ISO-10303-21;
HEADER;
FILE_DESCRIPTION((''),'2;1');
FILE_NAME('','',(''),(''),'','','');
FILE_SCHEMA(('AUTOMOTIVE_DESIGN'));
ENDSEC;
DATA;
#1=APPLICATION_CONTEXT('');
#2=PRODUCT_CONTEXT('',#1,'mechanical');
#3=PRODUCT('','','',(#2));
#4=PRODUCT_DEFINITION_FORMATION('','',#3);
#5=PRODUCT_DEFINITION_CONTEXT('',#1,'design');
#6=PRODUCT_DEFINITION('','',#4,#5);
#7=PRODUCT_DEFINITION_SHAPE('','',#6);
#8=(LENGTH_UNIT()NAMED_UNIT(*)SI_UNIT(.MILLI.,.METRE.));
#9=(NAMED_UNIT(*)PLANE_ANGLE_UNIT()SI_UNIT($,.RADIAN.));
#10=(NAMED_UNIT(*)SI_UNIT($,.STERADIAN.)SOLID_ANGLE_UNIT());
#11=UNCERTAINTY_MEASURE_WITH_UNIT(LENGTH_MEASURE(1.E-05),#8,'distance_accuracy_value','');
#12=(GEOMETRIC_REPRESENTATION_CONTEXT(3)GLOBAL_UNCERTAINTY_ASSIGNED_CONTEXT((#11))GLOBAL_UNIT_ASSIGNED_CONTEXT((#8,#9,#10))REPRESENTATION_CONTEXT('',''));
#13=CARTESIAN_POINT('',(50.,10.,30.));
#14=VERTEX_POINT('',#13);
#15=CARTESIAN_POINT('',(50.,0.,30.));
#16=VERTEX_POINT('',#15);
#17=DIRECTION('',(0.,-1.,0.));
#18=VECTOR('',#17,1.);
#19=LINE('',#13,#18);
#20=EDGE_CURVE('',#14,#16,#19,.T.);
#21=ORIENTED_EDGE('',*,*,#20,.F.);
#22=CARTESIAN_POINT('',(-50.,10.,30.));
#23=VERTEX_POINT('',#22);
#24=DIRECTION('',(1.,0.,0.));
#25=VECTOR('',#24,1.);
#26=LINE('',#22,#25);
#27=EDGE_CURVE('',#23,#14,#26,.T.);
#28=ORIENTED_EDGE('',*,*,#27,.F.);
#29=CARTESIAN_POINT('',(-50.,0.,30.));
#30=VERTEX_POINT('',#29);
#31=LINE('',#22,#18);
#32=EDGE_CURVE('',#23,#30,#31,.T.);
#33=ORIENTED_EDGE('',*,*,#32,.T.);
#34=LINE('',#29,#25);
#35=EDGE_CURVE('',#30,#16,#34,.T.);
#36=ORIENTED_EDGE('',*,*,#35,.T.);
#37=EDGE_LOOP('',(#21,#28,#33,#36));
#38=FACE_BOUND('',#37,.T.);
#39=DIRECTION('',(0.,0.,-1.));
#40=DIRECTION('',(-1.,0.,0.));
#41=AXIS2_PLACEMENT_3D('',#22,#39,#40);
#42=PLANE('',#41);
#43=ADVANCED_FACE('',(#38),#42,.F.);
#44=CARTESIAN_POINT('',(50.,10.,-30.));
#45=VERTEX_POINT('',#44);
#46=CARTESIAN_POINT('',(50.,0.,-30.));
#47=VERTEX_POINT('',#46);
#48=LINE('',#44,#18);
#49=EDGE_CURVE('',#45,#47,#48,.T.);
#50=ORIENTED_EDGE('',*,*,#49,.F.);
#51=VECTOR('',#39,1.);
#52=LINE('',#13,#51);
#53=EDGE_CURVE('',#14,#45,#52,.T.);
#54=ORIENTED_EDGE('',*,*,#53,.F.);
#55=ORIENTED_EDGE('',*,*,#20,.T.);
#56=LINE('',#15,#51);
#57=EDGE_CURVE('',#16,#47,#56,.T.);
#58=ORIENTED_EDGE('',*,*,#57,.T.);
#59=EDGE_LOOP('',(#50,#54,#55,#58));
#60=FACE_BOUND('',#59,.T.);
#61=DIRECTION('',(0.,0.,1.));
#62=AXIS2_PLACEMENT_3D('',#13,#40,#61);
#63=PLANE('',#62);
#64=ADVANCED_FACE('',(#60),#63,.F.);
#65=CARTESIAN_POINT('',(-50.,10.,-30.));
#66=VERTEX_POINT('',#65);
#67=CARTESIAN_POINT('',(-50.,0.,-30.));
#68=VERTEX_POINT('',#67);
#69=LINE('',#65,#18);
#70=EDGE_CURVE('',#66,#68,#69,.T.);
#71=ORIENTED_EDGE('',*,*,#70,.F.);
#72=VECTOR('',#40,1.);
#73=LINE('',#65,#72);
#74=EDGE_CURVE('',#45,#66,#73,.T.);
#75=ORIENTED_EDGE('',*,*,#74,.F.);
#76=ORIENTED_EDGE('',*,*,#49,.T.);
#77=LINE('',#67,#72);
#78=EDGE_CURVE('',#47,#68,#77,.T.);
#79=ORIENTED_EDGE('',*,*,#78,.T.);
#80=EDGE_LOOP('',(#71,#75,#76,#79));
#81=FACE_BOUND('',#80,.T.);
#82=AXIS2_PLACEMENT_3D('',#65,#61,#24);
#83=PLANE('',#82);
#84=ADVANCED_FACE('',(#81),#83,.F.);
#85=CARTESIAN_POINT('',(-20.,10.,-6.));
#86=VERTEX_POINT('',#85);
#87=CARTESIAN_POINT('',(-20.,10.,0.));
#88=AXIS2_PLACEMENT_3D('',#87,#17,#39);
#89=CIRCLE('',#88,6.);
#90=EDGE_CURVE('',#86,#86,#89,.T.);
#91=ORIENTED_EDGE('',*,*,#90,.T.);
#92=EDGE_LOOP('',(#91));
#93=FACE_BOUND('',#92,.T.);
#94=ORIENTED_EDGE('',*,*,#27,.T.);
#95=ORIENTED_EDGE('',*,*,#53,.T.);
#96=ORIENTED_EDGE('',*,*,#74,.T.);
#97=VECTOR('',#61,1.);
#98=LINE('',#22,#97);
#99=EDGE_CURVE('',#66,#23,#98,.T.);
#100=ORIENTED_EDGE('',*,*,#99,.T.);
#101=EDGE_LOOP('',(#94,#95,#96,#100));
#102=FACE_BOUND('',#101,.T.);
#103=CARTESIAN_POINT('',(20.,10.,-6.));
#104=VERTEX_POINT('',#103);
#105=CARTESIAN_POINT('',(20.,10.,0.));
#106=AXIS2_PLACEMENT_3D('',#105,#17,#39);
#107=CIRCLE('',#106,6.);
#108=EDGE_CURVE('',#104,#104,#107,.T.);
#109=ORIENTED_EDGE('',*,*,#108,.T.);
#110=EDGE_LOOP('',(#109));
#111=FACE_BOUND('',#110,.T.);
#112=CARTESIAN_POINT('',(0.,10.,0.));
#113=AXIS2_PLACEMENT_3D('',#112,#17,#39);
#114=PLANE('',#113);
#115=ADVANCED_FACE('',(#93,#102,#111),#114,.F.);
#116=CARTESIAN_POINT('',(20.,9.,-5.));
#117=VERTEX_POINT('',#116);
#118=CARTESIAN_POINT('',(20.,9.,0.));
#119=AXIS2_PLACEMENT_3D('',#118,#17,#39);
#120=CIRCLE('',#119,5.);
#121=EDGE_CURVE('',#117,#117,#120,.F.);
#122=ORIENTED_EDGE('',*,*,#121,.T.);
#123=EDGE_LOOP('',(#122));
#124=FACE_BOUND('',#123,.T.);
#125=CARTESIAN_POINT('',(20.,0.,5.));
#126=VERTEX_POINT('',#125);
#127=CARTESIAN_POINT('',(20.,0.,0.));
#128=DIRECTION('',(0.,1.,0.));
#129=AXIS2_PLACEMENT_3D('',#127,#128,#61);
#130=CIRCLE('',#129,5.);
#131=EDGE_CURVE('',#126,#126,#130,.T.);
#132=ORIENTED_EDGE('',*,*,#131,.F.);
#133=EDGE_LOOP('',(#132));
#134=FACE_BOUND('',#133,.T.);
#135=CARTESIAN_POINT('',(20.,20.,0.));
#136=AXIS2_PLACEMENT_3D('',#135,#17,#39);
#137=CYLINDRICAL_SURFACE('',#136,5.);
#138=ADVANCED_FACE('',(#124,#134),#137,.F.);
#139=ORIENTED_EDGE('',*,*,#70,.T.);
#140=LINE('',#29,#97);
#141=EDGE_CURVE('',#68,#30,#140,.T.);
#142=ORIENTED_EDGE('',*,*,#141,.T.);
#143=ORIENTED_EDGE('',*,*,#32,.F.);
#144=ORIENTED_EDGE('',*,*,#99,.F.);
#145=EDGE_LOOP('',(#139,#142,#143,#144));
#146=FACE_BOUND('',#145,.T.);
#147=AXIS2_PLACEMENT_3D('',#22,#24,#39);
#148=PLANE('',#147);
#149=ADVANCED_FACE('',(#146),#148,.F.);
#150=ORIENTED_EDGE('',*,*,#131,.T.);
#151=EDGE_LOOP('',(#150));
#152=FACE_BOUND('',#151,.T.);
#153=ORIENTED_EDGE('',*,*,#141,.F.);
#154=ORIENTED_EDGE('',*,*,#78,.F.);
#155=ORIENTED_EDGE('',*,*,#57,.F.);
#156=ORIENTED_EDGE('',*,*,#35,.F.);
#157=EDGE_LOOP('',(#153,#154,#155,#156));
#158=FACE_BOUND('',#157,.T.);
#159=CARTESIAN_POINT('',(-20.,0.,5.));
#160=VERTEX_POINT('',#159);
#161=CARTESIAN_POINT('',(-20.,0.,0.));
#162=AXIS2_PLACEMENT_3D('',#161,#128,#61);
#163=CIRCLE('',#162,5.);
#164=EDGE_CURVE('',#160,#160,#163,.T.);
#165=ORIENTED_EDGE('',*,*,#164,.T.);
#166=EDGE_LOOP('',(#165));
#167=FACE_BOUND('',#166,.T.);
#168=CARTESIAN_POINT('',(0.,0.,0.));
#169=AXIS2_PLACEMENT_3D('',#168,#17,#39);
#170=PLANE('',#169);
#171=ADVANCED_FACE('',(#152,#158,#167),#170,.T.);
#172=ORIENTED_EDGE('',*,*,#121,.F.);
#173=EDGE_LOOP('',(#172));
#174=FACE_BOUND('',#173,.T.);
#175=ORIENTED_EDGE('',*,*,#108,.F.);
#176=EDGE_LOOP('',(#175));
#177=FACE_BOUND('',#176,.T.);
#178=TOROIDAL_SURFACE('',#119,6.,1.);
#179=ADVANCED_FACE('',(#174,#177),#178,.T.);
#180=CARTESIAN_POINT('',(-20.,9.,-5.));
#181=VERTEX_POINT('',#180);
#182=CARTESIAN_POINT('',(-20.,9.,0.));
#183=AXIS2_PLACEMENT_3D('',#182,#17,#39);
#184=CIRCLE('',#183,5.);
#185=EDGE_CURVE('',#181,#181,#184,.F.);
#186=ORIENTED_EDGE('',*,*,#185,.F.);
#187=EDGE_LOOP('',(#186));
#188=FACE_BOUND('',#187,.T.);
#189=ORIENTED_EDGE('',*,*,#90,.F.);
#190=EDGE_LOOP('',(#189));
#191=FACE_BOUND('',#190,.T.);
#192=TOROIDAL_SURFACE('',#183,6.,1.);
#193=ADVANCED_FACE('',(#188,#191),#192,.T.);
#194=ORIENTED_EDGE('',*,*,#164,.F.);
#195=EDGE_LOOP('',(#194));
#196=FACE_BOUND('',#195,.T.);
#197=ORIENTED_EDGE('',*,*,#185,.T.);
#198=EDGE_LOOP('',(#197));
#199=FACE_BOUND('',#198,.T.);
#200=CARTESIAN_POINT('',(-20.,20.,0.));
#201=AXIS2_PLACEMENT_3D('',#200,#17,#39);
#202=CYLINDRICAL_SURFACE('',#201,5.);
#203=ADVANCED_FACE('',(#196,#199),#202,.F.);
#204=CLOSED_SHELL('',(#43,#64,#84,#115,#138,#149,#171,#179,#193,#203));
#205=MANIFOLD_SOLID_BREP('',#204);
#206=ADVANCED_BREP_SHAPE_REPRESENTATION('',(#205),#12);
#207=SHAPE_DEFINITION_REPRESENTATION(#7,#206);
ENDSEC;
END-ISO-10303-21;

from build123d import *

# Parameters (mm, degrees)
SKETCH_1_W          = 100
SKETCH_1_H          = 60
EXTRUDE_1_DEPTH     = 10
SKETCH_2_R          = 5
CUT_EXTRUDE_1_DEPTH = 20
SKETCH_3_R          = 5
CUT_EXTRUDE_2_DEPTH = 20
FILLET_1_R          = 1


with BuildPart() as part:
    # 草图1 → 凸台-拉伸1 (new body)
    with BuildSketch(Plane(origin=(0, 0, 0), x_dir=(1, 0, 0), z_dir=(0, 1, 0))):
        Rectangle(SKETCH_1_W, SKETCH_1_H)
    extrude(amount=EXTRUDE_1_DEPTH)

    # 草图2 → 切除-拉伸1 (cut)
    with BuildSketch(Plane(origin=(0, 0, 0), x_dir=(1, 0, 0), z_dir=(0, 1, 0))):
        with Locations(Location((-20, 0, 0), (0, 0, 90))):
            Circle(SKETCH_2_R)
    extrude(amount=CUT_EXTRUDE_1_DEPTH, mode=Mode.SUBTRACT)

    # 草图3 → 切除-拉伸2 (cut)
    with BuildSketch(Plane(origin=(0, 0, 0), x_dir=(1, 0, 0), z_dir=(0, 1, 0))):
        with Locations(Location((20, 0, 0), (0, 0, 90))):
            Circle(SKETCH_3_R)
    extrude(amount=CUT_EXTRUDE_2_DEPTH, mode=Mode.SUBTRACT)

    # 圆角1
    fillet_1_edges = [part.edges().sort_by_distance(p)[0] for p in [
        (-20, 10, 5),
        (20, 10, 5),
    ]]
    fillet(fillet_1_edges, radius=FILLET_1_R)


solid = part.part
